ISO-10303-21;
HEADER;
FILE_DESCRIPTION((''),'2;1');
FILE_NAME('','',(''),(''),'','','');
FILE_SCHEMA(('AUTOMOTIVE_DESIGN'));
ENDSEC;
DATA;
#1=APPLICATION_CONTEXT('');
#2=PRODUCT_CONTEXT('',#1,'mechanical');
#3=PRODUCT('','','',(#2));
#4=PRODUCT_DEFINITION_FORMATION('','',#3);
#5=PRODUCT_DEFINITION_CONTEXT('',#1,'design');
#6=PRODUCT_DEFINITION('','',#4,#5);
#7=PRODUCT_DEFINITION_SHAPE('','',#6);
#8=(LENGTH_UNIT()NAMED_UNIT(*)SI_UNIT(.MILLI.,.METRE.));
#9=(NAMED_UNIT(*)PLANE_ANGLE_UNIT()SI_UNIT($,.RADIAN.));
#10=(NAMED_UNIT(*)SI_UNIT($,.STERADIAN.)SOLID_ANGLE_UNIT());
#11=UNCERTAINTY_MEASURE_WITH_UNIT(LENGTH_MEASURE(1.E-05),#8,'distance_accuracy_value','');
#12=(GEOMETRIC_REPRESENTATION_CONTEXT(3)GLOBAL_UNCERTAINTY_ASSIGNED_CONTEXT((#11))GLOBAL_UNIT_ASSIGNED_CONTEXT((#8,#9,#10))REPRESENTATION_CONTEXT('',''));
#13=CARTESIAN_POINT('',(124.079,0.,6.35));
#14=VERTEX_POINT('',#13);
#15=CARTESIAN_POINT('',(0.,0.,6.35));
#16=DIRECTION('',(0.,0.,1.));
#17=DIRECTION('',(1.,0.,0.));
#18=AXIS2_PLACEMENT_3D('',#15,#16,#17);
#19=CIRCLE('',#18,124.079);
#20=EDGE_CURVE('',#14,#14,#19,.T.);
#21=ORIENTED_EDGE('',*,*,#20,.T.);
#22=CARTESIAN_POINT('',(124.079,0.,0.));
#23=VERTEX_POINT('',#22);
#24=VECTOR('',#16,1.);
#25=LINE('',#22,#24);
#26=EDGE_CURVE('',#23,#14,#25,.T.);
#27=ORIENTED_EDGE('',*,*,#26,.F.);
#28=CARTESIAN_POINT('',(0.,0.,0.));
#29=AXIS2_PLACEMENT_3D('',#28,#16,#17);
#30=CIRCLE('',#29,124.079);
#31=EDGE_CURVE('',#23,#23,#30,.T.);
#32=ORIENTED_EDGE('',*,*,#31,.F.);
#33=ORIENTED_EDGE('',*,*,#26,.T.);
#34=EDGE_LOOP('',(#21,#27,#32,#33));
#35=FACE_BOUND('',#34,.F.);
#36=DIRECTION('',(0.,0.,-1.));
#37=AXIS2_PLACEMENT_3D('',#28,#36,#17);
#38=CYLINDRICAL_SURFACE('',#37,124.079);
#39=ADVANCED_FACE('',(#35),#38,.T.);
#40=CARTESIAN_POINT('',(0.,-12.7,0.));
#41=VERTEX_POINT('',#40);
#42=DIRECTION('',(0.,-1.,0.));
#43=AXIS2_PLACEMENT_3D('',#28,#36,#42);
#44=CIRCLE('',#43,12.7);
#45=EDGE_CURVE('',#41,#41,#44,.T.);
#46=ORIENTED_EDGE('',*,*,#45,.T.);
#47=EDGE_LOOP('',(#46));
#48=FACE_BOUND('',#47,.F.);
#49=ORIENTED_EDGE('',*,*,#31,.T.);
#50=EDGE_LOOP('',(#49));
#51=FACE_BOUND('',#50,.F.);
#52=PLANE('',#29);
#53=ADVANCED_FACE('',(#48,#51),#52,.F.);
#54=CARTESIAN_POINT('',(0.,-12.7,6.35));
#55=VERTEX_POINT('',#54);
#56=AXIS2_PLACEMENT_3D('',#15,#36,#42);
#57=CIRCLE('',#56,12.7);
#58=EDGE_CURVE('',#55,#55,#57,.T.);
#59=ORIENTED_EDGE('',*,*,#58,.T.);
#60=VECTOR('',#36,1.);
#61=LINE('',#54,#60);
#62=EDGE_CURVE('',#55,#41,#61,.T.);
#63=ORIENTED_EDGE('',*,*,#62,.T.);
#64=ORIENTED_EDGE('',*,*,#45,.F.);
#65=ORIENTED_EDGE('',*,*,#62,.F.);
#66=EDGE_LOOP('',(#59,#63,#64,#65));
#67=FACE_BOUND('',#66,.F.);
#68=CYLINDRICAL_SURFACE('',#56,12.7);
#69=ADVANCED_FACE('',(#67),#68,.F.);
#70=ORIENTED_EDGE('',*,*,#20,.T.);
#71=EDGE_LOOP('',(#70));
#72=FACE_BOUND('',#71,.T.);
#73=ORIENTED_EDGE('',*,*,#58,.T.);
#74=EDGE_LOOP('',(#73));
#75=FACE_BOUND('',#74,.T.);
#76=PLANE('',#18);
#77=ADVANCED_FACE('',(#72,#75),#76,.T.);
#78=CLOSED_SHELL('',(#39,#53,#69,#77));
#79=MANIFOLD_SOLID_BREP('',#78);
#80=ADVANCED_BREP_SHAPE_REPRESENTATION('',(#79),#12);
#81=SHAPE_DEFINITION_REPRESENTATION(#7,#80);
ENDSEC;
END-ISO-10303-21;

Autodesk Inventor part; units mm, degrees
ref_plane "YZ Plane" through (0, 0, 0) normal (1, 0, 0) x (0, 1, 0)
ref_plane "XZ Plane" through (0, 0, 0) normal (0, 1, 0) x (-1, 0, 0)
ref_plane "XY Plane" through (0, 0, 0) normal (0, 0, 1) x (1, 0, 0)
sketch "Sketch1" plane through (0, 0, 0) normal (0, 0, 1) x (1, 0, 0)
  circle A0 centre (0, 0) radius 124.079
  dimension "d0" = 248.158
extrude "Extrusion1" add sketch "Sketch1" along normal blind 6.35
sketch "Sketch2" plane through (0, 0, 6.35) normal (0, 0, 1) x (1, 0, 0)
  circle A0 centre (0, 0) radius 124.079 projected
hole "Hole1" at (0, 0, 6.35) direction (0, 0, -1) diameter 25.4 end through all
properties part number "80t Sprocket" material "Aluminum 6061"
